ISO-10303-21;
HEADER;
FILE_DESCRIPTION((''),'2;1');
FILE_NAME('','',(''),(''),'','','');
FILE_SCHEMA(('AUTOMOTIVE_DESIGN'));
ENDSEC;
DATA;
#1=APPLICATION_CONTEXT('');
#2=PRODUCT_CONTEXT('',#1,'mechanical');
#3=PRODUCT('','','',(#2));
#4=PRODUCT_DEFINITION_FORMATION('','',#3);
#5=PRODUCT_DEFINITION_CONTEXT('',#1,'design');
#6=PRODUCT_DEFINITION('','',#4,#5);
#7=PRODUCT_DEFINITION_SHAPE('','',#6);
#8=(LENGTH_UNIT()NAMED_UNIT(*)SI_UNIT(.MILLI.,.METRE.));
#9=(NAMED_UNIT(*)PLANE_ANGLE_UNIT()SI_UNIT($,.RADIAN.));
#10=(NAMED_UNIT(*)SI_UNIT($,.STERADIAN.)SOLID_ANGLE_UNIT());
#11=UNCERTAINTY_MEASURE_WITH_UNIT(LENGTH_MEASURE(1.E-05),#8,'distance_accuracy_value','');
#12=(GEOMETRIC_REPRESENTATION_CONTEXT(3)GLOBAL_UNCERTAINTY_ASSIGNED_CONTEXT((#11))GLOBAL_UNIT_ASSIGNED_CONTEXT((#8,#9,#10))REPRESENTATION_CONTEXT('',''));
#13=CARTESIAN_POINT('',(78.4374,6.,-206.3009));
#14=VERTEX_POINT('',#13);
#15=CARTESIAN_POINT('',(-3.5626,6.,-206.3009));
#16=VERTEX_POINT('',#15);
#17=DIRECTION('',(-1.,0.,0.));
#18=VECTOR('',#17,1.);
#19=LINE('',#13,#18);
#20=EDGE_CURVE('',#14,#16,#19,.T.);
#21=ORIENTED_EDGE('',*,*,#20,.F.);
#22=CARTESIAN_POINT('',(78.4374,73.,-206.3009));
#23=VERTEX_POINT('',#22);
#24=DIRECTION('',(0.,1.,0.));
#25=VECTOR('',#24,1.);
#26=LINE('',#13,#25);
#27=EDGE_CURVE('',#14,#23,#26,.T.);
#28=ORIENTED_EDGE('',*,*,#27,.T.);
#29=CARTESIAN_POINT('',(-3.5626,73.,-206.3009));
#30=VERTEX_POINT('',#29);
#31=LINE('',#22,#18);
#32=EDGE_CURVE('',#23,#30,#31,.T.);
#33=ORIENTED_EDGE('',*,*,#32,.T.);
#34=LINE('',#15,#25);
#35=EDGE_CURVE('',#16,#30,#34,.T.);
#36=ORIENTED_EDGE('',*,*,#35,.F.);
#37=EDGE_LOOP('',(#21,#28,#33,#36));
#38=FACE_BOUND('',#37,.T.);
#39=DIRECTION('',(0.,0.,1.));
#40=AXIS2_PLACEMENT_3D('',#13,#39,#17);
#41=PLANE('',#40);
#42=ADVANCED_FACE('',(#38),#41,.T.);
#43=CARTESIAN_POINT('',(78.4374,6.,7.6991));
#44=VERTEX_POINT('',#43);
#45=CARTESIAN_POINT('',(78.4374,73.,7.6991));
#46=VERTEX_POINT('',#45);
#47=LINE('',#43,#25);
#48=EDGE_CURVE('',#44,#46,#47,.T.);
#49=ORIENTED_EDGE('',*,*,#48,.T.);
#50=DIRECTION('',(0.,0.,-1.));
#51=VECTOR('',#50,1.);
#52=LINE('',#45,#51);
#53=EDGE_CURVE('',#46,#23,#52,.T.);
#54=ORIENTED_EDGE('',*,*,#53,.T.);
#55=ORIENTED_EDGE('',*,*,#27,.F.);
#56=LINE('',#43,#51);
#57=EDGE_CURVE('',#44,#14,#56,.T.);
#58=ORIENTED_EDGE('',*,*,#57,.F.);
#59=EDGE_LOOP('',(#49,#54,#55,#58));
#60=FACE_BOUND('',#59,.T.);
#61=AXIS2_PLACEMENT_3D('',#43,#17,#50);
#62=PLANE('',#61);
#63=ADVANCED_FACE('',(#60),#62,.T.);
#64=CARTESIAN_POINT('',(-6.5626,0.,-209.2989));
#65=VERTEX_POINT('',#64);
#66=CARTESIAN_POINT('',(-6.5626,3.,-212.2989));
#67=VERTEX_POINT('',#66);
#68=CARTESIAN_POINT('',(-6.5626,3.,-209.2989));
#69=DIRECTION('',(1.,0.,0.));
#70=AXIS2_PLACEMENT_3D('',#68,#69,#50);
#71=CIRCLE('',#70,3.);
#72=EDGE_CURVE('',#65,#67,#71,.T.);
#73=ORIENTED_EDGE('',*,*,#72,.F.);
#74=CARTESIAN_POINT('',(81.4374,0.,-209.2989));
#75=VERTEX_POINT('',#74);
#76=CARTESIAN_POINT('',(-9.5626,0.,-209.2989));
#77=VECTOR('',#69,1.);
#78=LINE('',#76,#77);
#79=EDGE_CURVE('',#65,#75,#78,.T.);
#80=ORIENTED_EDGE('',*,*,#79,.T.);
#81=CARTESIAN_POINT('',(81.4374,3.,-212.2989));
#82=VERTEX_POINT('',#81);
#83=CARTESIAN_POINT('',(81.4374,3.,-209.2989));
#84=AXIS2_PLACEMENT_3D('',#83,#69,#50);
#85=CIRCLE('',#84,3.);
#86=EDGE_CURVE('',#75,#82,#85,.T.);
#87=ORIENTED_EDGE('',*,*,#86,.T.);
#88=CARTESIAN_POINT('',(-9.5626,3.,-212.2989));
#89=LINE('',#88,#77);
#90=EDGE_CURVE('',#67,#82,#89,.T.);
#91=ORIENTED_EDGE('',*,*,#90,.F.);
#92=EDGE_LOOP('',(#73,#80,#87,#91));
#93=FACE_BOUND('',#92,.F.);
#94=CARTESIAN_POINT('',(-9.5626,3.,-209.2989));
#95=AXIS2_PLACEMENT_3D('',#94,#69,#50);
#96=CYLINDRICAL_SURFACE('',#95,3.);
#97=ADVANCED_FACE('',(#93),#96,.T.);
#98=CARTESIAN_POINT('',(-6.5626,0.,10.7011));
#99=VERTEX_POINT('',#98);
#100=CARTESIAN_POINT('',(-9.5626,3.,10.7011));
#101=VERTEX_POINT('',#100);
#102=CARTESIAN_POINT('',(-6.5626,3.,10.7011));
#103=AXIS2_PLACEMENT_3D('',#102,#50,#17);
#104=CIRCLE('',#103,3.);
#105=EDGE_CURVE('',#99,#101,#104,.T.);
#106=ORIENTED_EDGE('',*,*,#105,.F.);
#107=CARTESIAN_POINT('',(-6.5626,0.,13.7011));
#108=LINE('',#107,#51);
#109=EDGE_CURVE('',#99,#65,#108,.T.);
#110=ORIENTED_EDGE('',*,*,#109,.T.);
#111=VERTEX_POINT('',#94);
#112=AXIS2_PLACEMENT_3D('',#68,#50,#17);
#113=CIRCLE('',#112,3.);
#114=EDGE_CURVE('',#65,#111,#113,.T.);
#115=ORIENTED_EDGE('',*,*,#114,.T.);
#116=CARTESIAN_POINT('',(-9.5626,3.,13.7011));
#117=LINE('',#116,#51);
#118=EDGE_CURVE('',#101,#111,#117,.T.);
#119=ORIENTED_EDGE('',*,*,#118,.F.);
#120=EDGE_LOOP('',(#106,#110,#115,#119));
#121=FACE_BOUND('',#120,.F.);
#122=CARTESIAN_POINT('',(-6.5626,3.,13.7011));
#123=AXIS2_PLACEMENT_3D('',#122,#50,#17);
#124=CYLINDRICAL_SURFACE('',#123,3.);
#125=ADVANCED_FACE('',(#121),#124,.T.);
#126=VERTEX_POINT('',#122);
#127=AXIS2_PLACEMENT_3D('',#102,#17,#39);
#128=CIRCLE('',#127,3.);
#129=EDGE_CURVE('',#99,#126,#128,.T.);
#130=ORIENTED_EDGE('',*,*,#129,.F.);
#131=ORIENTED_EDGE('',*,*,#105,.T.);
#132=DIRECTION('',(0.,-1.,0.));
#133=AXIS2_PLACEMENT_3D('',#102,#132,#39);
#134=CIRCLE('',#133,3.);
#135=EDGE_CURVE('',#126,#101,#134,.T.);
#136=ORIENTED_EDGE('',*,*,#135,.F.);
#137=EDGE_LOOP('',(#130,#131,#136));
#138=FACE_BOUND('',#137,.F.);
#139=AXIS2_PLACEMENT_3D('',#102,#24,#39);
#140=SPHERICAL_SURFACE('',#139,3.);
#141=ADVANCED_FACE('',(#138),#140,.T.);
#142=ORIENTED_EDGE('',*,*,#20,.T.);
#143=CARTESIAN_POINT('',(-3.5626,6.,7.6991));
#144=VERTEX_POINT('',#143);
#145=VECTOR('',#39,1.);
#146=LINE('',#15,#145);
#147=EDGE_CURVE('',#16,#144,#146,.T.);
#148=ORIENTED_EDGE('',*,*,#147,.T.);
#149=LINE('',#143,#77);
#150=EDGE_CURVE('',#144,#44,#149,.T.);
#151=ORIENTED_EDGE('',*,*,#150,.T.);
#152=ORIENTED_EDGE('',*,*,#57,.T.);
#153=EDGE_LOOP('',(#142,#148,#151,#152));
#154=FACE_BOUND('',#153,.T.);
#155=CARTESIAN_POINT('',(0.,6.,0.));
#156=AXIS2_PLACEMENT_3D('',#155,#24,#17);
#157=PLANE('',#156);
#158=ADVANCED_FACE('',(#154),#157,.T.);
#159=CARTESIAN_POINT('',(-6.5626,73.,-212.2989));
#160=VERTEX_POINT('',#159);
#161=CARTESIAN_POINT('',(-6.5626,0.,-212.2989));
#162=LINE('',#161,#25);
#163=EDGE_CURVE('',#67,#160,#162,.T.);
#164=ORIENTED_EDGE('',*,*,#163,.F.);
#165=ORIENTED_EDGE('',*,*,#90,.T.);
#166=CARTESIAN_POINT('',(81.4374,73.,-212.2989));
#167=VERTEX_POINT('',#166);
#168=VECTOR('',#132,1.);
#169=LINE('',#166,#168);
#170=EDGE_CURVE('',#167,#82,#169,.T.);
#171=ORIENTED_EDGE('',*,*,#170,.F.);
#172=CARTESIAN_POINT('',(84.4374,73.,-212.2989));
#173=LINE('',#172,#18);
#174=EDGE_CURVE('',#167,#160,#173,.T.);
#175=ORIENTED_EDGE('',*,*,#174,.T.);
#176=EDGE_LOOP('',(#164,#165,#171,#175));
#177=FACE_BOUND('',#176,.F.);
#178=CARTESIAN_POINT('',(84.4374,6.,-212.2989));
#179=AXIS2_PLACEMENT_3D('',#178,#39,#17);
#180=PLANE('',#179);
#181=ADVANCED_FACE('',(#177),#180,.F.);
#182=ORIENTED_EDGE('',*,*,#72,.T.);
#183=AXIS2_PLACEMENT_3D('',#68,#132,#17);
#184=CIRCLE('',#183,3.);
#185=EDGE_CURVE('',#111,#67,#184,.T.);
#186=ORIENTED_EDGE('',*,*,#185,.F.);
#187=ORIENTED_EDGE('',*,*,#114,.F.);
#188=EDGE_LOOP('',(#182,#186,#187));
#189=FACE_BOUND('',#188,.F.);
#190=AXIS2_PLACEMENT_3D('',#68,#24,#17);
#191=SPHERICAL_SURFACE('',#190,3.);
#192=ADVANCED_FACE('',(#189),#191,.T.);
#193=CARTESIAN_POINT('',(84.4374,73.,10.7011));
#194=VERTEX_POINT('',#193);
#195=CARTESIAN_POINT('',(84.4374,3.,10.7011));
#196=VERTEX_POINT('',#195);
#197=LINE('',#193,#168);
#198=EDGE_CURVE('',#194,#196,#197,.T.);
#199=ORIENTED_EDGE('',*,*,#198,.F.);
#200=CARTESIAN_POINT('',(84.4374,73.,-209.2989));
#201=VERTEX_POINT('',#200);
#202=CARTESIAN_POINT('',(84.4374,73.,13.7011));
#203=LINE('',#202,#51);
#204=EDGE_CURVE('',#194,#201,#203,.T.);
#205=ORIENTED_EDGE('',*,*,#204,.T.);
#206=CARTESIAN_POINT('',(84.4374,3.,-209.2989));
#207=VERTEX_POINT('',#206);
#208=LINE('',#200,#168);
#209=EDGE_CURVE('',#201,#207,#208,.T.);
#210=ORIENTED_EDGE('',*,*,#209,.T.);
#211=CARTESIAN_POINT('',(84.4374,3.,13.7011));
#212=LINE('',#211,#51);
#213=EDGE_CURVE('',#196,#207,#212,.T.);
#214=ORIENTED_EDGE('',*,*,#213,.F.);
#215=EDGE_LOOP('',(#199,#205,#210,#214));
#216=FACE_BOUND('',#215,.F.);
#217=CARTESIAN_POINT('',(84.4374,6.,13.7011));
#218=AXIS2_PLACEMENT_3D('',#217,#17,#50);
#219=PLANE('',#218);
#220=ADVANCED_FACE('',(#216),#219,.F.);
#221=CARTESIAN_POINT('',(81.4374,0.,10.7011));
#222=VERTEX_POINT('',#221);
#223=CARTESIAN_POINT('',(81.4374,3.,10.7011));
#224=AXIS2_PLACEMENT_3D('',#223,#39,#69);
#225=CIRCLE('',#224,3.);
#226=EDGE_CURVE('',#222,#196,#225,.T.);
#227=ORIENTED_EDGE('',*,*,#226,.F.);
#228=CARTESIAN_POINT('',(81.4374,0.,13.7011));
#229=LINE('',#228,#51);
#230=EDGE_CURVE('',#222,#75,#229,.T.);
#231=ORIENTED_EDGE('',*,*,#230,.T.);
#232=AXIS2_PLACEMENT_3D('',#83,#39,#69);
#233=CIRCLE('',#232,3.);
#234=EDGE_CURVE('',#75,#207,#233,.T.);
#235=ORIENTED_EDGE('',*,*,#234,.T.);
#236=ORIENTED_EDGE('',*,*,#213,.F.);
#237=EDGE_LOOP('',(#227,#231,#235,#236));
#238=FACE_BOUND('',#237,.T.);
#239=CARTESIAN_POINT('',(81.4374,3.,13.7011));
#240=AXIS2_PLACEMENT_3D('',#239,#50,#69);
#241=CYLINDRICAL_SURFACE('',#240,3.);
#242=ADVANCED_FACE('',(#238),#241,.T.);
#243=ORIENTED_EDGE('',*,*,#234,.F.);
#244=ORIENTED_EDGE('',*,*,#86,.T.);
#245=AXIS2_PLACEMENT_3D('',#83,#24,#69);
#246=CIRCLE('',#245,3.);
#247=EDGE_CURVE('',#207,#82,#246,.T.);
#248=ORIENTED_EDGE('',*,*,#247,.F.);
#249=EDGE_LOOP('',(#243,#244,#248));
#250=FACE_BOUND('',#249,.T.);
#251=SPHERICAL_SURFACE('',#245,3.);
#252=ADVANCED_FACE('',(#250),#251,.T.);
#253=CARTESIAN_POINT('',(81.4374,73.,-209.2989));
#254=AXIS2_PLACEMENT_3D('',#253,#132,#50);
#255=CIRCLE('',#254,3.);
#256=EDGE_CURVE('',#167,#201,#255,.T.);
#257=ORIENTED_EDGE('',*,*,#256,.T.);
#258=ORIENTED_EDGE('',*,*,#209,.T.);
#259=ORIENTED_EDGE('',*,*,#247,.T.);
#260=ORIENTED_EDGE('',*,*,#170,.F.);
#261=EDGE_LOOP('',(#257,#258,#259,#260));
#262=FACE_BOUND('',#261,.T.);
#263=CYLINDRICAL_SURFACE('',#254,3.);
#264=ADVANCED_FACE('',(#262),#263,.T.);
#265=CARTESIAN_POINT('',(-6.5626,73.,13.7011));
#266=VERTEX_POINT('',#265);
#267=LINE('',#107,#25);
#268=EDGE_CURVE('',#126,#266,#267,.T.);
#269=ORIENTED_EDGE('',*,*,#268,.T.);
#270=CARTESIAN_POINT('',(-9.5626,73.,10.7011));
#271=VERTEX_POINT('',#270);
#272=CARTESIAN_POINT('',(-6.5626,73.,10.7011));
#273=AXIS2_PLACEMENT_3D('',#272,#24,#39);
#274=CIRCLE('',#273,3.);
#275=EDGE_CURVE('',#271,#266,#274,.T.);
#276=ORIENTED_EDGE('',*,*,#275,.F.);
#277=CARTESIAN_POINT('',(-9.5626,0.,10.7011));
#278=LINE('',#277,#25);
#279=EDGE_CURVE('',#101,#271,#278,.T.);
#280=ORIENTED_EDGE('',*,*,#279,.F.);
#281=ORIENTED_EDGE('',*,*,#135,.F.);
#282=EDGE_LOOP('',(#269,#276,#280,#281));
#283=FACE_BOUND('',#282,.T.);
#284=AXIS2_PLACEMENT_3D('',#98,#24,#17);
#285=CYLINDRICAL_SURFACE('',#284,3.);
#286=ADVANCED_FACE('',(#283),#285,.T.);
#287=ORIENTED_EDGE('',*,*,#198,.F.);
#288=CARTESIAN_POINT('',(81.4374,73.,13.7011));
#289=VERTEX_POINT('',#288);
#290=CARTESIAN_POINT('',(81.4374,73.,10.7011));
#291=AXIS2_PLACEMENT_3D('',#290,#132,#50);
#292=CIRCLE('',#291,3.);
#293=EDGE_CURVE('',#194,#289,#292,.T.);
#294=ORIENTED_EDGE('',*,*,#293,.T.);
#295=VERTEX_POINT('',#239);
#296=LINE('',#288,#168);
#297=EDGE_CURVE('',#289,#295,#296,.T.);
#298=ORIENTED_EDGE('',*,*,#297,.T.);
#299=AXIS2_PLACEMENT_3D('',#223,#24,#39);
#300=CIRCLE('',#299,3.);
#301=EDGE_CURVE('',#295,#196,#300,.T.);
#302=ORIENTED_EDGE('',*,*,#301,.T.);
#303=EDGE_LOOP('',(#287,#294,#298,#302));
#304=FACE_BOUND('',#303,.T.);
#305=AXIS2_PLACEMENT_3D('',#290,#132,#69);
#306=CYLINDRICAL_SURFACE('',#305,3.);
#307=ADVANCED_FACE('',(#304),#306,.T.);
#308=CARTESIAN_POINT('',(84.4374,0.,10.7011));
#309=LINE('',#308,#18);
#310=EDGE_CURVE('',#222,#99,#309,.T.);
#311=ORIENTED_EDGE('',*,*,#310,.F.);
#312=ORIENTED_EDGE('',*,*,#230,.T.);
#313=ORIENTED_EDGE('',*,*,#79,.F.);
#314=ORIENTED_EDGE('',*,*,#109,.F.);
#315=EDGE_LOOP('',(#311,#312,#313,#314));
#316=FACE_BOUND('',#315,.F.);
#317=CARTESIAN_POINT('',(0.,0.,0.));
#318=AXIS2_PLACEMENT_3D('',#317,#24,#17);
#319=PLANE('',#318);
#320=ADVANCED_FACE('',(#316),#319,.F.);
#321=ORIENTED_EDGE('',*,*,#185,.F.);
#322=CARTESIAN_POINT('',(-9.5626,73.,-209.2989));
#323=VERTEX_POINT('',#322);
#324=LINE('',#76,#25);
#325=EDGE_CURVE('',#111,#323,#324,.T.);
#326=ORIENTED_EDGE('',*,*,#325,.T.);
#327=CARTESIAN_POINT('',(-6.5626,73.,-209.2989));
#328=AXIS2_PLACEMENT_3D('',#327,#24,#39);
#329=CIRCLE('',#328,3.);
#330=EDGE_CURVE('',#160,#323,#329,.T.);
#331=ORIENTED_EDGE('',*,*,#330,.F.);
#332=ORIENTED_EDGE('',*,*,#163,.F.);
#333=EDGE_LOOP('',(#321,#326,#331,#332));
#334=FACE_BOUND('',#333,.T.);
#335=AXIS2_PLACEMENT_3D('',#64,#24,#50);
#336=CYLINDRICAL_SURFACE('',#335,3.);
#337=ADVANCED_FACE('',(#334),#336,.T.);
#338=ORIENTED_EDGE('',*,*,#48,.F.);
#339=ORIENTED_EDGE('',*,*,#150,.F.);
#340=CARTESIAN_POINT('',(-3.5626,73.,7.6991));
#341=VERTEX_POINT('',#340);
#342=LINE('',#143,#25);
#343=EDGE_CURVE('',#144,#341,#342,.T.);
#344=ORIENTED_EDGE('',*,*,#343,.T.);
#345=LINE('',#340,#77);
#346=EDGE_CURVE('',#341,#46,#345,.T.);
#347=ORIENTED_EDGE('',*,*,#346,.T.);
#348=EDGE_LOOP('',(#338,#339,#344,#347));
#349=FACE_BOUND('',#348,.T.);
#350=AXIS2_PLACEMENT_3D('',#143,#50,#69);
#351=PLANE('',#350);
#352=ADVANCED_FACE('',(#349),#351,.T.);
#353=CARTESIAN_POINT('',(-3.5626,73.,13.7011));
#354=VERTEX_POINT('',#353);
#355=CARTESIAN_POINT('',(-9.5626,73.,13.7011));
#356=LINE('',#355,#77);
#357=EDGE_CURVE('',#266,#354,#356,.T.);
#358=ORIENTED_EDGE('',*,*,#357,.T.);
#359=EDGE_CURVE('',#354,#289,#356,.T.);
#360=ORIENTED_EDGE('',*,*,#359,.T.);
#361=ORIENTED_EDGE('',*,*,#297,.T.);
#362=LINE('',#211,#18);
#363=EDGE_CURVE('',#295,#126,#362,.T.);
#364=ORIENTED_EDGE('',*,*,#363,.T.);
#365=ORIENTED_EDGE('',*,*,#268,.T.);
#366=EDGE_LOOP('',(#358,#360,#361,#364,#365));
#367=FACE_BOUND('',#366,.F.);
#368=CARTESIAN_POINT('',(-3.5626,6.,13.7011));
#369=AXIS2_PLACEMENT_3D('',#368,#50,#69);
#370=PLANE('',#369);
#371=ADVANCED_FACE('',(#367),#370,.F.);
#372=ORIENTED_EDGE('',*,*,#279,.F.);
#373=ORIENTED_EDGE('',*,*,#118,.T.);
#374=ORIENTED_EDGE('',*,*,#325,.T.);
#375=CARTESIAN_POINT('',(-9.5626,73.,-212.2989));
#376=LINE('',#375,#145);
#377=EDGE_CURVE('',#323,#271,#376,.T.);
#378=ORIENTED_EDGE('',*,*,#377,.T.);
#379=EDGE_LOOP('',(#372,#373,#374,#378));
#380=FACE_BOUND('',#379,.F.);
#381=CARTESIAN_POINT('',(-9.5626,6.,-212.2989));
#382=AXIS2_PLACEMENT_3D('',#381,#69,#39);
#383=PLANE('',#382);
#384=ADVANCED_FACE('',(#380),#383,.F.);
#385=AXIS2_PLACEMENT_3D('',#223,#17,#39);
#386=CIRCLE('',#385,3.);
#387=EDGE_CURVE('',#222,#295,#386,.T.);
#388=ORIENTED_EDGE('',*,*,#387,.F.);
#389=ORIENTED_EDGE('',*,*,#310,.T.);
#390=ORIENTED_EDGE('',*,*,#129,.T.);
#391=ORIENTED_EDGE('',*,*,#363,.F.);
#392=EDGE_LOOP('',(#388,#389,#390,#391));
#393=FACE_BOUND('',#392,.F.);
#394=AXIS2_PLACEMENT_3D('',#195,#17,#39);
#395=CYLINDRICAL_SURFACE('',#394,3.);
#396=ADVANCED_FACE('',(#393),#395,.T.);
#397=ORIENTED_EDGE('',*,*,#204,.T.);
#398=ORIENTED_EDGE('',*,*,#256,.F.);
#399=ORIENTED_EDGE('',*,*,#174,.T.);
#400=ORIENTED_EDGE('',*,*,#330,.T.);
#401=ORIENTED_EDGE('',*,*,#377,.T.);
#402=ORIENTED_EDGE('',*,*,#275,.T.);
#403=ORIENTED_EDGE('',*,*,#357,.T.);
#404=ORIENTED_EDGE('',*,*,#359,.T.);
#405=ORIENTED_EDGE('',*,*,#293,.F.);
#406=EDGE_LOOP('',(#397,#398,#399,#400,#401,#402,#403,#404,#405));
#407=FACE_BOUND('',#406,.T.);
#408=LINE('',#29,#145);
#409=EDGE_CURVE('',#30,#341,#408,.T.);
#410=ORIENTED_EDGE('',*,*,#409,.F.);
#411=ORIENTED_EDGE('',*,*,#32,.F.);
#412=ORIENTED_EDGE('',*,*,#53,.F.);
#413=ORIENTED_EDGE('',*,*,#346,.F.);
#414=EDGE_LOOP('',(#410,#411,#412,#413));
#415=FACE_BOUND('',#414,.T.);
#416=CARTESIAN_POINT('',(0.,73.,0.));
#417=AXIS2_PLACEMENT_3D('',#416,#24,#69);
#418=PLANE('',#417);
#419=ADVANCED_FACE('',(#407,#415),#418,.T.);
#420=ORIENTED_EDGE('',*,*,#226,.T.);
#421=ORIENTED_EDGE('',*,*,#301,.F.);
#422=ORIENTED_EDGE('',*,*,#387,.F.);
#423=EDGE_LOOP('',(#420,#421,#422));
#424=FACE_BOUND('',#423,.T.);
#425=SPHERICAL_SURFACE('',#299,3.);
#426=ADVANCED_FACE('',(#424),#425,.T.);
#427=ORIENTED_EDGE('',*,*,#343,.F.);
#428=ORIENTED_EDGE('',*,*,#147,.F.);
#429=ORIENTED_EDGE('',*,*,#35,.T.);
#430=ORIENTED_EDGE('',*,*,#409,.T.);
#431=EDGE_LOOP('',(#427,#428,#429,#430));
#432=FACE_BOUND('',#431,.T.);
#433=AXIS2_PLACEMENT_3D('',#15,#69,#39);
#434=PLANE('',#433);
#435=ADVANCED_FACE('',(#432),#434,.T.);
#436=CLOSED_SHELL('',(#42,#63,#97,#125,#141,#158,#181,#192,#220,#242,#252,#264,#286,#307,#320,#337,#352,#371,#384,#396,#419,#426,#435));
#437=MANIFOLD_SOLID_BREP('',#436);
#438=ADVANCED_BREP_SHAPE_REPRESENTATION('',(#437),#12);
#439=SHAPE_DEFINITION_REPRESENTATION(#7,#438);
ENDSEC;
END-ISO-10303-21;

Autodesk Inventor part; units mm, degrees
ref_plane "YZ Plane" through (0, 0, 0) normal (1, 0, 0) x (0, 1, 0)
ref_plane "XZ Plane" through (0, 0, 0) normal (0, 1, 0) x (-1, 0, 0)
ref_plane "XY Plane" through (0, 0, 0) normal (0, 0, 1) x (1, 0, 0)
sketch "Sketch3" plane through (0, 0, 0) normal (0, 1, 0) x (-1, 0, 0)
  line L0 (3.5626, 7.7011) -> (-78.4374, 7.7011)
  line L1 (-78.4374, -212.2989) -> (3.5626, -212.2989)
  line L2 (-84.4374, 13.7011) -> (9.5626, 13.7011)
  line L3 (9.5626, -212.2989) -> (3.5626, -212.2989)
  line L4 (-84.4374, -212.2989) -> (-78.4374, -212.2989)
  line L5 (-61.601, -206.2989) -> (-78.4374, -206.2989)
  line L6 (3.5626, -206.2989) -> (-61.601, -206.2989)
  line L7 (-84.4374, 13.7011) -> (-84.4374, -212.2989)
  line L8 (9.5626, 13.7011) -> (9.5626, -212.2989)
  line L9 (3.5626, -206.2989) -> (3.5626, 7.7011)
  line L10 (-78.4374, 7.7011) -> (-78.4374, -206.2989)
  point P0 (0, 0)
  dimension "d0" = 82
  dimension "d1" = 220
extrude "Extrusion1" add sketch "Sketch3" along normal blind 6 contours L9 L6 L5 L10 L0 | L4 L7 L2 L8 L3 L1
sketch "Sketch4" plane through (0, 6, 0) normal (0, 1, 0) x (1, 0, 0)
  line L0 (-9.5626, 212.2989) -> (-9.5626, -13.7011) projected
  line L1 (-9.5626, -13.7011) -> (-3.5626, -13.7011)
  line L2 (-9.5626, -13.7011) -> (84.4374, -13.7011) projected
  line L3 (-3.5626, -13.7011) -> (-3.5626, -7.6991)
  line L4 (-3.5626, -7.6991) -> (78.4374, -7.6991)
  line L5 (78.4374, -7.6991) -> (78.4374, 206.3009)
  line L6 (78.4374, 206.3009) -> (-3.5626, 206.3009)
  line L7 (-3.5626, 206.3009) -> (-3.5626, -7.6991)
  line L8 (84.4374, 212.2989) -> (-9.5626, 212.2989) projected
  line L9 (-9.5626, -13.7011) -> (84.4374, -13.7011)
  line L10 (84.4374, -13.7011) -> (84.4374, 212.2989)
  line L11 (84.4374, 212.2989) -> (-9.5626, 212.2989)
  line L12 (-9.5626, 212.2989) -> (-9.5626, -13.7011)
  point P0 (0, 0)
  dimension "d9" = 6
  dimension "d10" = 82
  dimension "d11" = 214
extrude "Extrusion2" add sketch "Sketch4" along normal blind 67
fillet "Fillet1" radius 3 8 edges at (84.4374, 36.5, -212.2989) (-9.5626, 36.5, -212.2989) (-9.5626, 36.5, 13.7011) (84.4374, 36.5, 13.7011) (37.4374, 0, 13.7011) (84.4374, 0, -99.2989) (-9.5626, 0, -99.2989) (37.4374, 0, -212.2989)
properties part number "Battery Box Bottom_3DPrint"
